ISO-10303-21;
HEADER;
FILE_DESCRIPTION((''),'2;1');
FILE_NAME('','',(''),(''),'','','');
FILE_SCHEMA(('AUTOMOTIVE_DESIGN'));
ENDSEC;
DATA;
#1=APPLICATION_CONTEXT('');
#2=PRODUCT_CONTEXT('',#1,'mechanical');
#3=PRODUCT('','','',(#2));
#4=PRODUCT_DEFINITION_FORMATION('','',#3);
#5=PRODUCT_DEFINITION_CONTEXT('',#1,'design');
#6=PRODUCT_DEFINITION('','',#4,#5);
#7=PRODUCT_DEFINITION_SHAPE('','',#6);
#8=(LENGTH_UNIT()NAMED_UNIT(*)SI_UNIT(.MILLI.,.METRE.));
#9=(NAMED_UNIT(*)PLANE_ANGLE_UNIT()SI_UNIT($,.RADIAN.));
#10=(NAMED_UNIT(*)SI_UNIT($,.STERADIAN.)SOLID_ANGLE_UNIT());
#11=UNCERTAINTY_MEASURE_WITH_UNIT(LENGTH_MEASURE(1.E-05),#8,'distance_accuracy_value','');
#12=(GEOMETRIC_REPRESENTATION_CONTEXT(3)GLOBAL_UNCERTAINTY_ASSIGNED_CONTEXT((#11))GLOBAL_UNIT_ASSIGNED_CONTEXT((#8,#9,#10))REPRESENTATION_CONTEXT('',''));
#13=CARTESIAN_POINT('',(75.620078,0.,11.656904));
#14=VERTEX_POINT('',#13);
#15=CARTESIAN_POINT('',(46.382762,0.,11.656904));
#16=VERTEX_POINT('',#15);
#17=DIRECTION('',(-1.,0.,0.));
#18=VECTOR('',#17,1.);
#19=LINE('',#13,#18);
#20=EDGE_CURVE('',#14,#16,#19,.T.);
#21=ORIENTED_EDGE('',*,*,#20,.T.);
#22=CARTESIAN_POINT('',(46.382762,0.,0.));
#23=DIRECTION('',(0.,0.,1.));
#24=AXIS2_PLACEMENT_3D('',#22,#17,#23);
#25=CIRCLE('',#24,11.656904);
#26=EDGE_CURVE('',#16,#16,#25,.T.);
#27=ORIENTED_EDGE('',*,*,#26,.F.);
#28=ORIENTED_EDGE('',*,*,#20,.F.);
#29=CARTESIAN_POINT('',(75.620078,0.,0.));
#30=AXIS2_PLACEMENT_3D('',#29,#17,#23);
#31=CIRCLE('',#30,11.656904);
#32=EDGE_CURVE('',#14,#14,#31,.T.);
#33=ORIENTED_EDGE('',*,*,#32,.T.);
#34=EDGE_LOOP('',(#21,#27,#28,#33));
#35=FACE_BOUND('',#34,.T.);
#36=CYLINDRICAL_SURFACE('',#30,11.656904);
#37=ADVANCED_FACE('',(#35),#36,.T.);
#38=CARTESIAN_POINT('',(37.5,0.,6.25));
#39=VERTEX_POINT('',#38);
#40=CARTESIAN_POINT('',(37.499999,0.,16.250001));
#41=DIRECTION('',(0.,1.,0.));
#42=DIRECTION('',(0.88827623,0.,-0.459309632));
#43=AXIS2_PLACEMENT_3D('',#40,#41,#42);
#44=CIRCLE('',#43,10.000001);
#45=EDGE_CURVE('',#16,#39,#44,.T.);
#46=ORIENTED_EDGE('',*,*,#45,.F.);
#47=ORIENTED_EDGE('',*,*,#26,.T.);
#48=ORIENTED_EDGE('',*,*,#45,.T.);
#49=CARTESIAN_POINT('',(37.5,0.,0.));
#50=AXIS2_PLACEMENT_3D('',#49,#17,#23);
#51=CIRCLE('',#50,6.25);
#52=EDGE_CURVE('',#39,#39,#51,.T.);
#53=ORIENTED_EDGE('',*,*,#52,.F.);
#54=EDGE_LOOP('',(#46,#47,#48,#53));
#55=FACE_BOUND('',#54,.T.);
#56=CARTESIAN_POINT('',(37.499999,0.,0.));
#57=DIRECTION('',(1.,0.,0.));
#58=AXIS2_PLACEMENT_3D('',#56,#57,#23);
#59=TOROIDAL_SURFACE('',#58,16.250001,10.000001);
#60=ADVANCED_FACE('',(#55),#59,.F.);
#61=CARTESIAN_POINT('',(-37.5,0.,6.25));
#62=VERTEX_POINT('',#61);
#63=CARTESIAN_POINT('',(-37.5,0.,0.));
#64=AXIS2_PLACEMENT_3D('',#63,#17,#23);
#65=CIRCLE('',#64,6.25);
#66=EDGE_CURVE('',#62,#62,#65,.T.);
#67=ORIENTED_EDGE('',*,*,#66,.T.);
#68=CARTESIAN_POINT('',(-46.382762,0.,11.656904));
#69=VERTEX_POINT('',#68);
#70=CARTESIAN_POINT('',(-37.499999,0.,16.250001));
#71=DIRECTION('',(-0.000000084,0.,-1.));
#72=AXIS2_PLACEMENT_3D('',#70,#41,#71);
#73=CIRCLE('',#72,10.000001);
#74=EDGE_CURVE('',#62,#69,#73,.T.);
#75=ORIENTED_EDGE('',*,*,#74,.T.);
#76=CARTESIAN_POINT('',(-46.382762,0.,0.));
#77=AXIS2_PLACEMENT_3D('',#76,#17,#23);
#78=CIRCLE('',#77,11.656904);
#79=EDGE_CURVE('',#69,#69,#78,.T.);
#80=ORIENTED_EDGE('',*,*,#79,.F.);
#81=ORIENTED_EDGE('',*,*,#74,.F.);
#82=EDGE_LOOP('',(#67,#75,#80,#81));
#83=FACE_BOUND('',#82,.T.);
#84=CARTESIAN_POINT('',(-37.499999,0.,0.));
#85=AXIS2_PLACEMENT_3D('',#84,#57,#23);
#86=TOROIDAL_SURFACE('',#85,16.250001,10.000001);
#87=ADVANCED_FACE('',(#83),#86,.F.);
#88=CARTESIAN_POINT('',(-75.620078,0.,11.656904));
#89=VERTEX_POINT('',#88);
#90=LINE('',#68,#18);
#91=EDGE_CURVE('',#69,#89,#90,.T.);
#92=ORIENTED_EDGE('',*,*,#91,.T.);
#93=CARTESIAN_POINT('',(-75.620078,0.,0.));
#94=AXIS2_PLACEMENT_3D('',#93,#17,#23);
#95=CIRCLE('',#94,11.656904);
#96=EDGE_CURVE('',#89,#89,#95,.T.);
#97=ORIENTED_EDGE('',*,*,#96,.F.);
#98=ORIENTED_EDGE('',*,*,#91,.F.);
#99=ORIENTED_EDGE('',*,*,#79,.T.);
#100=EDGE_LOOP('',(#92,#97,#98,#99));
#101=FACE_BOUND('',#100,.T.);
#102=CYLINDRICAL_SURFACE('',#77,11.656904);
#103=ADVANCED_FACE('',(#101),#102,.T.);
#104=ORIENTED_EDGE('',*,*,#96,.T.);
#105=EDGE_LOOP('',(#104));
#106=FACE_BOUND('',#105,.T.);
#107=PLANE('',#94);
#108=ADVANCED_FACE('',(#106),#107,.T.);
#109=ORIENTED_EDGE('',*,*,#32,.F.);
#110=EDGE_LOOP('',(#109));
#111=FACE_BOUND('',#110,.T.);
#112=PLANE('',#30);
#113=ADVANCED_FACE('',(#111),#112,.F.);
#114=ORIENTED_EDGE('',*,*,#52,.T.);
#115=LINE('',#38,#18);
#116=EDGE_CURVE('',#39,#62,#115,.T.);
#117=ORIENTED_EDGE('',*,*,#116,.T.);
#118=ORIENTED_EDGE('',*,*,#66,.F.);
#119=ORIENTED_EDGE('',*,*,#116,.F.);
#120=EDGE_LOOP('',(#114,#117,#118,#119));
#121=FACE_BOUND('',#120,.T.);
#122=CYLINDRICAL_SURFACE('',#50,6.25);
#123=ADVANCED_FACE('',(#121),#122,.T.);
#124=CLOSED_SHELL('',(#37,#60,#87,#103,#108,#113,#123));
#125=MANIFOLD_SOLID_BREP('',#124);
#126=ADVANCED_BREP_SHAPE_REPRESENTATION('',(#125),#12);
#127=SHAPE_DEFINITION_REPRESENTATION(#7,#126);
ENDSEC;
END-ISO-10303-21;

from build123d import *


with BuildPart() as f1:
    # F0 (on Front) → F1 (revolve)
    with BuildSketch(Plane.XZ):
        with BuildLine():
            Line((37.5, 6.25), (0, 6.25))
            Line((0, 6.25), (-37.5, 6.25))
            ThreePointArc((-37.5, 6.25), (-42.699473, 7.708017), (-46.382762, 11.656904))
            Line((-46.382762, 11.656904), (-75.620078, 11.656904))
            Line((-75.620078, 11.656904), (-75.620078, 0))
            Line((-75.620078, 0), (0, 0))
            Line((0, 0), (75.620078, 0))
            Line((75.620078, 0), (75.620078, 11.656904))
            Line((75.620078, 11.656904), (46.382762, 11.656904))
            ThreePointArc((46.382762, 11.656904), (42.699473, 7.708017), (37.5, 6.25))
        make_face()
    revolve(axis=Axis((37.810039, 0, 0), (-1, 0, 0)))


solid = f1.part
